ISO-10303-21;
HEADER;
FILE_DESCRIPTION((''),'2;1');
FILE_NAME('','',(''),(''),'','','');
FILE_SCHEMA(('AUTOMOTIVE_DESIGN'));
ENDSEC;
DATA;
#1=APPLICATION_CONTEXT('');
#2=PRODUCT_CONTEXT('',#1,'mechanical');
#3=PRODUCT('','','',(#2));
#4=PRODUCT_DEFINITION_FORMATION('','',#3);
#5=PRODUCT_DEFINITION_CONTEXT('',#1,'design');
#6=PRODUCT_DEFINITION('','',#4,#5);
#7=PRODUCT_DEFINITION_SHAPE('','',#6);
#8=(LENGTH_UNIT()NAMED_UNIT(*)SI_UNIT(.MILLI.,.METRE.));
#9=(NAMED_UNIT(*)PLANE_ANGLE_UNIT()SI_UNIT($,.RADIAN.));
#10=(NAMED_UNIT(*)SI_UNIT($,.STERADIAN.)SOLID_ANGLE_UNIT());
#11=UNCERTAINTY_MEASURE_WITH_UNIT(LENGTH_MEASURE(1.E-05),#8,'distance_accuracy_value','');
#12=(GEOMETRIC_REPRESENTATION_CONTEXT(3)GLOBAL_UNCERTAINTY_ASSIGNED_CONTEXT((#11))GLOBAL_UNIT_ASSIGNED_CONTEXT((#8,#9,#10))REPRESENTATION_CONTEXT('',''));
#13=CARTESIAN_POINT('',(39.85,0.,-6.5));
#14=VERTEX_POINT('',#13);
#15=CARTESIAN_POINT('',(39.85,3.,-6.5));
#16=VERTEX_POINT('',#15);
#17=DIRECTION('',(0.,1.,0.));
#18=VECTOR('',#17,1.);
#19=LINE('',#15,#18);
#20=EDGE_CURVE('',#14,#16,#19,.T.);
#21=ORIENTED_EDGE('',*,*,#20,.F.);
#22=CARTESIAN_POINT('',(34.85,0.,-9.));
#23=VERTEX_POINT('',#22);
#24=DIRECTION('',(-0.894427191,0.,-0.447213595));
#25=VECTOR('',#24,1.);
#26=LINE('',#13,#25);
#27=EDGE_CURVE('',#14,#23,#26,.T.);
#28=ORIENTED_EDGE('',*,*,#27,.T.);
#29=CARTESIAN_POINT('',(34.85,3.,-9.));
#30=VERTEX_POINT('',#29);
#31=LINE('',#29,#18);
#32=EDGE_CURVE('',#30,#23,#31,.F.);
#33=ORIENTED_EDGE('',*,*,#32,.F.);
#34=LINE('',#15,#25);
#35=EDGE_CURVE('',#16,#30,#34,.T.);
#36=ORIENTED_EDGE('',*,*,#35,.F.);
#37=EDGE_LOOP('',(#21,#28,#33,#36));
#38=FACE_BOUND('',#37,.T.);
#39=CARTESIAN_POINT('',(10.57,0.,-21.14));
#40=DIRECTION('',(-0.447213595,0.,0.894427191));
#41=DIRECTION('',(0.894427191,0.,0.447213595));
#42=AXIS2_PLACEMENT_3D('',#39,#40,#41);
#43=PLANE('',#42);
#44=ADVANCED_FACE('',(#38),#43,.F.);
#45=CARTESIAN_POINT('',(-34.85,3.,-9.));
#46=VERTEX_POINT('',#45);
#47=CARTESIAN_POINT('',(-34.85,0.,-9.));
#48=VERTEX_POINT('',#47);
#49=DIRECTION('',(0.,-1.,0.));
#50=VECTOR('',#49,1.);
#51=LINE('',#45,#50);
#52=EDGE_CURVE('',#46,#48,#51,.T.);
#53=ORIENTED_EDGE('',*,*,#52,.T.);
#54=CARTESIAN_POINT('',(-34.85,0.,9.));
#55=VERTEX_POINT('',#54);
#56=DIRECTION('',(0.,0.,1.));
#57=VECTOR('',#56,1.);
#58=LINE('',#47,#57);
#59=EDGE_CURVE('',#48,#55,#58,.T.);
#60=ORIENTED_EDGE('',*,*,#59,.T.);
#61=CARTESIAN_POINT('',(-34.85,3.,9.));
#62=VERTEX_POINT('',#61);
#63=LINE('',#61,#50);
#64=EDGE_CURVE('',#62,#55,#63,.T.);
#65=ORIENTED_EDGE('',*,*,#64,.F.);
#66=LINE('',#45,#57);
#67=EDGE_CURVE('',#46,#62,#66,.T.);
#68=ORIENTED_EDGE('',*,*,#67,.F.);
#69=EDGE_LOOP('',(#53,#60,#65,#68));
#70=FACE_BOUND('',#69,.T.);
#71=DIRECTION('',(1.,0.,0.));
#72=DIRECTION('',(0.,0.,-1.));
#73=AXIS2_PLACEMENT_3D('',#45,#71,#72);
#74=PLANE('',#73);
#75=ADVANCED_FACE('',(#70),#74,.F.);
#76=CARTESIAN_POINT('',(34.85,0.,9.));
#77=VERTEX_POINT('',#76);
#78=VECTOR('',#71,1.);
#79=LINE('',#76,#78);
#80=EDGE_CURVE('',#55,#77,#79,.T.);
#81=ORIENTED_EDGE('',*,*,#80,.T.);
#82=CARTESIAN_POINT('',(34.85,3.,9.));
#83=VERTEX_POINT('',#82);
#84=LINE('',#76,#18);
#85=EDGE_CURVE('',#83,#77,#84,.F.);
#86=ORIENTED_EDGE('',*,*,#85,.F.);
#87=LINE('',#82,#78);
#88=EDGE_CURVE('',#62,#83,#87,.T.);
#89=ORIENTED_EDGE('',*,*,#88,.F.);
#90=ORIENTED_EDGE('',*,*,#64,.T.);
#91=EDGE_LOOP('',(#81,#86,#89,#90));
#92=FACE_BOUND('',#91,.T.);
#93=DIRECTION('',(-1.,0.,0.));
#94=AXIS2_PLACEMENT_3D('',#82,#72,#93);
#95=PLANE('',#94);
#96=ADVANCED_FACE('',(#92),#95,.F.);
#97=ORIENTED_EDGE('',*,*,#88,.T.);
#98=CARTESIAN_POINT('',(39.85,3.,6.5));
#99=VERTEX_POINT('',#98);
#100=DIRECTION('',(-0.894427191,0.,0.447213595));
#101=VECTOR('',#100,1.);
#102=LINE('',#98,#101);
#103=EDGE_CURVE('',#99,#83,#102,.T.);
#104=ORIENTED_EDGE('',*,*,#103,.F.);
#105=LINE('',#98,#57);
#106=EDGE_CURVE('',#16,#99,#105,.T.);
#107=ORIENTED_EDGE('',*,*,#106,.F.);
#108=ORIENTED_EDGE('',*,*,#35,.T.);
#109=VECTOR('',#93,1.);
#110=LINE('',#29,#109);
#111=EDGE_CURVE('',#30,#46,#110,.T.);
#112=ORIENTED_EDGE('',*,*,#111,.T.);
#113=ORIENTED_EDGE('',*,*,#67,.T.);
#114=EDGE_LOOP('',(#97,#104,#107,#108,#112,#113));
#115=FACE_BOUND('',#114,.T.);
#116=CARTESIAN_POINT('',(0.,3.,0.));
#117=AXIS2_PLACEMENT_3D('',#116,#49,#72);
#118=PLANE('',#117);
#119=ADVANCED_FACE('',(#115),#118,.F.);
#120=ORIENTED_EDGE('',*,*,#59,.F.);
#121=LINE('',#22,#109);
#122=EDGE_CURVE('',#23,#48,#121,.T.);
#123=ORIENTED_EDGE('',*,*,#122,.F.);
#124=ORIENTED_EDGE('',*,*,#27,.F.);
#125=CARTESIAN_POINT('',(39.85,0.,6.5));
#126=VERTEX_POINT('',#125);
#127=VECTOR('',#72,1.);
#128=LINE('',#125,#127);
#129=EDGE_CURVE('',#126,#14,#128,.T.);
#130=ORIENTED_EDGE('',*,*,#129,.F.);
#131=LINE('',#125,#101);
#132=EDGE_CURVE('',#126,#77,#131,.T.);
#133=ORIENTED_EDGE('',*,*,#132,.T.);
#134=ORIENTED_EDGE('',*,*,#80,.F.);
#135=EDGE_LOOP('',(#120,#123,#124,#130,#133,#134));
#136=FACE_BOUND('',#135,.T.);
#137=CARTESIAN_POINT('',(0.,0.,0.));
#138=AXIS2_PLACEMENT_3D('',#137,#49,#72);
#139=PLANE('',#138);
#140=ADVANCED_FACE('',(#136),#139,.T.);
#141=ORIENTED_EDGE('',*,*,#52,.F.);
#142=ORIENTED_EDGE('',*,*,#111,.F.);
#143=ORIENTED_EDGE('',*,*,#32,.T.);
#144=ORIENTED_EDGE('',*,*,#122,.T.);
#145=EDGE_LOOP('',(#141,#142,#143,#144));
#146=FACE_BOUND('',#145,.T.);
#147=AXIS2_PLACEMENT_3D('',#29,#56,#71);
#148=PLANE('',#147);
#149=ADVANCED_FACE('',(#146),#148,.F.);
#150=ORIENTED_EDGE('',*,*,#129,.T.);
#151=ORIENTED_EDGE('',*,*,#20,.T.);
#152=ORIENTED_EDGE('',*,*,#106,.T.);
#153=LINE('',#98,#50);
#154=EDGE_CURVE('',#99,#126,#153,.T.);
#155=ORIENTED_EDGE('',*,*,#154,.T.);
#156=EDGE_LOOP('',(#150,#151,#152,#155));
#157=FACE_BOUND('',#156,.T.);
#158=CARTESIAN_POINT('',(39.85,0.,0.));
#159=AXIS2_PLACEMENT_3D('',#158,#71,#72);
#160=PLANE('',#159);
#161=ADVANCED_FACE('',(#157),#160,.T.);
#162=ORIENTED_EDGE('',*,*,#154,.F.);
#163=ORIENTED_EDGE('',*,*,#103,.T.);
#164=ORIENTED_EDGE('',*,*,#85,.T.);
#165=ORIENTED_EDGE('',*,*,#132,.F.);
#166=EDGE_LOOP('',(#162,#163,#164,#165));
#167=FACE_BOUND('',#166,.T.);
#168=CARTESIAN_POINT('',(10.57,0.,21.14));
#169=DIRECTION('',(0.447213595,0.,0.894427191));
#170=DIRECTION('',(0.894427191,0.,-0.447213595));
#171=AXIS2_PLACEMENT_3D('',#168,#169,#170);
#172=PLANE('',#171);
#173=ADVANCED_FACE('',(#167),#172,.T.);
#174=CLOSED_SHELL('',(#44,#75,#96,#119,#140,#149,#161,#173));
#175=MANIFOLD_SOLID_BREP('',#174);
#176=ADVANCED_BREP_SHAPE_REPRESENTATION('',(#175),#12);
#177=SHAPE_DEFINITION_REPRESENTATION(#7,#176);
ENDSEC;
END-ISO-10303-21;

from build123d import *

# Parameters (mm, degrees)
SKETCH1_W           = 69.7
SKETCH1_H           = 18
BOSS_EXTRUDE1_DEPTH = 3
SKETCH3_W           = 13
SKETCH3_H           = 3


with BuildPart() as part:
    # Sketch1 → Boss-Extrude1 (new body)
    with BuildSketch(Plane(origin=(0, 0, 0), x_dir=(1, 0, 0), z_dir=(0, 1, 0))):
        Rectangle(SKETCH1_W, SKETCH1_H)
    extrude(amount=BOSS_EXTRUDE1_DEPTH)

    # Sketch3 → section 0 of loft1
    with BuildSketch(Plane(origin=(39.85, 0, 0), x_dir=(0, 0, -1), z_dir=(1, 0, 0)), mode=Mode.PRIVATE) as loft1_s0:
        with Locations((0, 1.5)):
            Rectangle(SKETCH3_W, SKETCH3_H)
    # loft up to a face of the part (loft1)
    loft([loft1_s0.sketch, part.faces().sort_by_distance((34.85, 1.5, 0))[0]])


solid = part.part
